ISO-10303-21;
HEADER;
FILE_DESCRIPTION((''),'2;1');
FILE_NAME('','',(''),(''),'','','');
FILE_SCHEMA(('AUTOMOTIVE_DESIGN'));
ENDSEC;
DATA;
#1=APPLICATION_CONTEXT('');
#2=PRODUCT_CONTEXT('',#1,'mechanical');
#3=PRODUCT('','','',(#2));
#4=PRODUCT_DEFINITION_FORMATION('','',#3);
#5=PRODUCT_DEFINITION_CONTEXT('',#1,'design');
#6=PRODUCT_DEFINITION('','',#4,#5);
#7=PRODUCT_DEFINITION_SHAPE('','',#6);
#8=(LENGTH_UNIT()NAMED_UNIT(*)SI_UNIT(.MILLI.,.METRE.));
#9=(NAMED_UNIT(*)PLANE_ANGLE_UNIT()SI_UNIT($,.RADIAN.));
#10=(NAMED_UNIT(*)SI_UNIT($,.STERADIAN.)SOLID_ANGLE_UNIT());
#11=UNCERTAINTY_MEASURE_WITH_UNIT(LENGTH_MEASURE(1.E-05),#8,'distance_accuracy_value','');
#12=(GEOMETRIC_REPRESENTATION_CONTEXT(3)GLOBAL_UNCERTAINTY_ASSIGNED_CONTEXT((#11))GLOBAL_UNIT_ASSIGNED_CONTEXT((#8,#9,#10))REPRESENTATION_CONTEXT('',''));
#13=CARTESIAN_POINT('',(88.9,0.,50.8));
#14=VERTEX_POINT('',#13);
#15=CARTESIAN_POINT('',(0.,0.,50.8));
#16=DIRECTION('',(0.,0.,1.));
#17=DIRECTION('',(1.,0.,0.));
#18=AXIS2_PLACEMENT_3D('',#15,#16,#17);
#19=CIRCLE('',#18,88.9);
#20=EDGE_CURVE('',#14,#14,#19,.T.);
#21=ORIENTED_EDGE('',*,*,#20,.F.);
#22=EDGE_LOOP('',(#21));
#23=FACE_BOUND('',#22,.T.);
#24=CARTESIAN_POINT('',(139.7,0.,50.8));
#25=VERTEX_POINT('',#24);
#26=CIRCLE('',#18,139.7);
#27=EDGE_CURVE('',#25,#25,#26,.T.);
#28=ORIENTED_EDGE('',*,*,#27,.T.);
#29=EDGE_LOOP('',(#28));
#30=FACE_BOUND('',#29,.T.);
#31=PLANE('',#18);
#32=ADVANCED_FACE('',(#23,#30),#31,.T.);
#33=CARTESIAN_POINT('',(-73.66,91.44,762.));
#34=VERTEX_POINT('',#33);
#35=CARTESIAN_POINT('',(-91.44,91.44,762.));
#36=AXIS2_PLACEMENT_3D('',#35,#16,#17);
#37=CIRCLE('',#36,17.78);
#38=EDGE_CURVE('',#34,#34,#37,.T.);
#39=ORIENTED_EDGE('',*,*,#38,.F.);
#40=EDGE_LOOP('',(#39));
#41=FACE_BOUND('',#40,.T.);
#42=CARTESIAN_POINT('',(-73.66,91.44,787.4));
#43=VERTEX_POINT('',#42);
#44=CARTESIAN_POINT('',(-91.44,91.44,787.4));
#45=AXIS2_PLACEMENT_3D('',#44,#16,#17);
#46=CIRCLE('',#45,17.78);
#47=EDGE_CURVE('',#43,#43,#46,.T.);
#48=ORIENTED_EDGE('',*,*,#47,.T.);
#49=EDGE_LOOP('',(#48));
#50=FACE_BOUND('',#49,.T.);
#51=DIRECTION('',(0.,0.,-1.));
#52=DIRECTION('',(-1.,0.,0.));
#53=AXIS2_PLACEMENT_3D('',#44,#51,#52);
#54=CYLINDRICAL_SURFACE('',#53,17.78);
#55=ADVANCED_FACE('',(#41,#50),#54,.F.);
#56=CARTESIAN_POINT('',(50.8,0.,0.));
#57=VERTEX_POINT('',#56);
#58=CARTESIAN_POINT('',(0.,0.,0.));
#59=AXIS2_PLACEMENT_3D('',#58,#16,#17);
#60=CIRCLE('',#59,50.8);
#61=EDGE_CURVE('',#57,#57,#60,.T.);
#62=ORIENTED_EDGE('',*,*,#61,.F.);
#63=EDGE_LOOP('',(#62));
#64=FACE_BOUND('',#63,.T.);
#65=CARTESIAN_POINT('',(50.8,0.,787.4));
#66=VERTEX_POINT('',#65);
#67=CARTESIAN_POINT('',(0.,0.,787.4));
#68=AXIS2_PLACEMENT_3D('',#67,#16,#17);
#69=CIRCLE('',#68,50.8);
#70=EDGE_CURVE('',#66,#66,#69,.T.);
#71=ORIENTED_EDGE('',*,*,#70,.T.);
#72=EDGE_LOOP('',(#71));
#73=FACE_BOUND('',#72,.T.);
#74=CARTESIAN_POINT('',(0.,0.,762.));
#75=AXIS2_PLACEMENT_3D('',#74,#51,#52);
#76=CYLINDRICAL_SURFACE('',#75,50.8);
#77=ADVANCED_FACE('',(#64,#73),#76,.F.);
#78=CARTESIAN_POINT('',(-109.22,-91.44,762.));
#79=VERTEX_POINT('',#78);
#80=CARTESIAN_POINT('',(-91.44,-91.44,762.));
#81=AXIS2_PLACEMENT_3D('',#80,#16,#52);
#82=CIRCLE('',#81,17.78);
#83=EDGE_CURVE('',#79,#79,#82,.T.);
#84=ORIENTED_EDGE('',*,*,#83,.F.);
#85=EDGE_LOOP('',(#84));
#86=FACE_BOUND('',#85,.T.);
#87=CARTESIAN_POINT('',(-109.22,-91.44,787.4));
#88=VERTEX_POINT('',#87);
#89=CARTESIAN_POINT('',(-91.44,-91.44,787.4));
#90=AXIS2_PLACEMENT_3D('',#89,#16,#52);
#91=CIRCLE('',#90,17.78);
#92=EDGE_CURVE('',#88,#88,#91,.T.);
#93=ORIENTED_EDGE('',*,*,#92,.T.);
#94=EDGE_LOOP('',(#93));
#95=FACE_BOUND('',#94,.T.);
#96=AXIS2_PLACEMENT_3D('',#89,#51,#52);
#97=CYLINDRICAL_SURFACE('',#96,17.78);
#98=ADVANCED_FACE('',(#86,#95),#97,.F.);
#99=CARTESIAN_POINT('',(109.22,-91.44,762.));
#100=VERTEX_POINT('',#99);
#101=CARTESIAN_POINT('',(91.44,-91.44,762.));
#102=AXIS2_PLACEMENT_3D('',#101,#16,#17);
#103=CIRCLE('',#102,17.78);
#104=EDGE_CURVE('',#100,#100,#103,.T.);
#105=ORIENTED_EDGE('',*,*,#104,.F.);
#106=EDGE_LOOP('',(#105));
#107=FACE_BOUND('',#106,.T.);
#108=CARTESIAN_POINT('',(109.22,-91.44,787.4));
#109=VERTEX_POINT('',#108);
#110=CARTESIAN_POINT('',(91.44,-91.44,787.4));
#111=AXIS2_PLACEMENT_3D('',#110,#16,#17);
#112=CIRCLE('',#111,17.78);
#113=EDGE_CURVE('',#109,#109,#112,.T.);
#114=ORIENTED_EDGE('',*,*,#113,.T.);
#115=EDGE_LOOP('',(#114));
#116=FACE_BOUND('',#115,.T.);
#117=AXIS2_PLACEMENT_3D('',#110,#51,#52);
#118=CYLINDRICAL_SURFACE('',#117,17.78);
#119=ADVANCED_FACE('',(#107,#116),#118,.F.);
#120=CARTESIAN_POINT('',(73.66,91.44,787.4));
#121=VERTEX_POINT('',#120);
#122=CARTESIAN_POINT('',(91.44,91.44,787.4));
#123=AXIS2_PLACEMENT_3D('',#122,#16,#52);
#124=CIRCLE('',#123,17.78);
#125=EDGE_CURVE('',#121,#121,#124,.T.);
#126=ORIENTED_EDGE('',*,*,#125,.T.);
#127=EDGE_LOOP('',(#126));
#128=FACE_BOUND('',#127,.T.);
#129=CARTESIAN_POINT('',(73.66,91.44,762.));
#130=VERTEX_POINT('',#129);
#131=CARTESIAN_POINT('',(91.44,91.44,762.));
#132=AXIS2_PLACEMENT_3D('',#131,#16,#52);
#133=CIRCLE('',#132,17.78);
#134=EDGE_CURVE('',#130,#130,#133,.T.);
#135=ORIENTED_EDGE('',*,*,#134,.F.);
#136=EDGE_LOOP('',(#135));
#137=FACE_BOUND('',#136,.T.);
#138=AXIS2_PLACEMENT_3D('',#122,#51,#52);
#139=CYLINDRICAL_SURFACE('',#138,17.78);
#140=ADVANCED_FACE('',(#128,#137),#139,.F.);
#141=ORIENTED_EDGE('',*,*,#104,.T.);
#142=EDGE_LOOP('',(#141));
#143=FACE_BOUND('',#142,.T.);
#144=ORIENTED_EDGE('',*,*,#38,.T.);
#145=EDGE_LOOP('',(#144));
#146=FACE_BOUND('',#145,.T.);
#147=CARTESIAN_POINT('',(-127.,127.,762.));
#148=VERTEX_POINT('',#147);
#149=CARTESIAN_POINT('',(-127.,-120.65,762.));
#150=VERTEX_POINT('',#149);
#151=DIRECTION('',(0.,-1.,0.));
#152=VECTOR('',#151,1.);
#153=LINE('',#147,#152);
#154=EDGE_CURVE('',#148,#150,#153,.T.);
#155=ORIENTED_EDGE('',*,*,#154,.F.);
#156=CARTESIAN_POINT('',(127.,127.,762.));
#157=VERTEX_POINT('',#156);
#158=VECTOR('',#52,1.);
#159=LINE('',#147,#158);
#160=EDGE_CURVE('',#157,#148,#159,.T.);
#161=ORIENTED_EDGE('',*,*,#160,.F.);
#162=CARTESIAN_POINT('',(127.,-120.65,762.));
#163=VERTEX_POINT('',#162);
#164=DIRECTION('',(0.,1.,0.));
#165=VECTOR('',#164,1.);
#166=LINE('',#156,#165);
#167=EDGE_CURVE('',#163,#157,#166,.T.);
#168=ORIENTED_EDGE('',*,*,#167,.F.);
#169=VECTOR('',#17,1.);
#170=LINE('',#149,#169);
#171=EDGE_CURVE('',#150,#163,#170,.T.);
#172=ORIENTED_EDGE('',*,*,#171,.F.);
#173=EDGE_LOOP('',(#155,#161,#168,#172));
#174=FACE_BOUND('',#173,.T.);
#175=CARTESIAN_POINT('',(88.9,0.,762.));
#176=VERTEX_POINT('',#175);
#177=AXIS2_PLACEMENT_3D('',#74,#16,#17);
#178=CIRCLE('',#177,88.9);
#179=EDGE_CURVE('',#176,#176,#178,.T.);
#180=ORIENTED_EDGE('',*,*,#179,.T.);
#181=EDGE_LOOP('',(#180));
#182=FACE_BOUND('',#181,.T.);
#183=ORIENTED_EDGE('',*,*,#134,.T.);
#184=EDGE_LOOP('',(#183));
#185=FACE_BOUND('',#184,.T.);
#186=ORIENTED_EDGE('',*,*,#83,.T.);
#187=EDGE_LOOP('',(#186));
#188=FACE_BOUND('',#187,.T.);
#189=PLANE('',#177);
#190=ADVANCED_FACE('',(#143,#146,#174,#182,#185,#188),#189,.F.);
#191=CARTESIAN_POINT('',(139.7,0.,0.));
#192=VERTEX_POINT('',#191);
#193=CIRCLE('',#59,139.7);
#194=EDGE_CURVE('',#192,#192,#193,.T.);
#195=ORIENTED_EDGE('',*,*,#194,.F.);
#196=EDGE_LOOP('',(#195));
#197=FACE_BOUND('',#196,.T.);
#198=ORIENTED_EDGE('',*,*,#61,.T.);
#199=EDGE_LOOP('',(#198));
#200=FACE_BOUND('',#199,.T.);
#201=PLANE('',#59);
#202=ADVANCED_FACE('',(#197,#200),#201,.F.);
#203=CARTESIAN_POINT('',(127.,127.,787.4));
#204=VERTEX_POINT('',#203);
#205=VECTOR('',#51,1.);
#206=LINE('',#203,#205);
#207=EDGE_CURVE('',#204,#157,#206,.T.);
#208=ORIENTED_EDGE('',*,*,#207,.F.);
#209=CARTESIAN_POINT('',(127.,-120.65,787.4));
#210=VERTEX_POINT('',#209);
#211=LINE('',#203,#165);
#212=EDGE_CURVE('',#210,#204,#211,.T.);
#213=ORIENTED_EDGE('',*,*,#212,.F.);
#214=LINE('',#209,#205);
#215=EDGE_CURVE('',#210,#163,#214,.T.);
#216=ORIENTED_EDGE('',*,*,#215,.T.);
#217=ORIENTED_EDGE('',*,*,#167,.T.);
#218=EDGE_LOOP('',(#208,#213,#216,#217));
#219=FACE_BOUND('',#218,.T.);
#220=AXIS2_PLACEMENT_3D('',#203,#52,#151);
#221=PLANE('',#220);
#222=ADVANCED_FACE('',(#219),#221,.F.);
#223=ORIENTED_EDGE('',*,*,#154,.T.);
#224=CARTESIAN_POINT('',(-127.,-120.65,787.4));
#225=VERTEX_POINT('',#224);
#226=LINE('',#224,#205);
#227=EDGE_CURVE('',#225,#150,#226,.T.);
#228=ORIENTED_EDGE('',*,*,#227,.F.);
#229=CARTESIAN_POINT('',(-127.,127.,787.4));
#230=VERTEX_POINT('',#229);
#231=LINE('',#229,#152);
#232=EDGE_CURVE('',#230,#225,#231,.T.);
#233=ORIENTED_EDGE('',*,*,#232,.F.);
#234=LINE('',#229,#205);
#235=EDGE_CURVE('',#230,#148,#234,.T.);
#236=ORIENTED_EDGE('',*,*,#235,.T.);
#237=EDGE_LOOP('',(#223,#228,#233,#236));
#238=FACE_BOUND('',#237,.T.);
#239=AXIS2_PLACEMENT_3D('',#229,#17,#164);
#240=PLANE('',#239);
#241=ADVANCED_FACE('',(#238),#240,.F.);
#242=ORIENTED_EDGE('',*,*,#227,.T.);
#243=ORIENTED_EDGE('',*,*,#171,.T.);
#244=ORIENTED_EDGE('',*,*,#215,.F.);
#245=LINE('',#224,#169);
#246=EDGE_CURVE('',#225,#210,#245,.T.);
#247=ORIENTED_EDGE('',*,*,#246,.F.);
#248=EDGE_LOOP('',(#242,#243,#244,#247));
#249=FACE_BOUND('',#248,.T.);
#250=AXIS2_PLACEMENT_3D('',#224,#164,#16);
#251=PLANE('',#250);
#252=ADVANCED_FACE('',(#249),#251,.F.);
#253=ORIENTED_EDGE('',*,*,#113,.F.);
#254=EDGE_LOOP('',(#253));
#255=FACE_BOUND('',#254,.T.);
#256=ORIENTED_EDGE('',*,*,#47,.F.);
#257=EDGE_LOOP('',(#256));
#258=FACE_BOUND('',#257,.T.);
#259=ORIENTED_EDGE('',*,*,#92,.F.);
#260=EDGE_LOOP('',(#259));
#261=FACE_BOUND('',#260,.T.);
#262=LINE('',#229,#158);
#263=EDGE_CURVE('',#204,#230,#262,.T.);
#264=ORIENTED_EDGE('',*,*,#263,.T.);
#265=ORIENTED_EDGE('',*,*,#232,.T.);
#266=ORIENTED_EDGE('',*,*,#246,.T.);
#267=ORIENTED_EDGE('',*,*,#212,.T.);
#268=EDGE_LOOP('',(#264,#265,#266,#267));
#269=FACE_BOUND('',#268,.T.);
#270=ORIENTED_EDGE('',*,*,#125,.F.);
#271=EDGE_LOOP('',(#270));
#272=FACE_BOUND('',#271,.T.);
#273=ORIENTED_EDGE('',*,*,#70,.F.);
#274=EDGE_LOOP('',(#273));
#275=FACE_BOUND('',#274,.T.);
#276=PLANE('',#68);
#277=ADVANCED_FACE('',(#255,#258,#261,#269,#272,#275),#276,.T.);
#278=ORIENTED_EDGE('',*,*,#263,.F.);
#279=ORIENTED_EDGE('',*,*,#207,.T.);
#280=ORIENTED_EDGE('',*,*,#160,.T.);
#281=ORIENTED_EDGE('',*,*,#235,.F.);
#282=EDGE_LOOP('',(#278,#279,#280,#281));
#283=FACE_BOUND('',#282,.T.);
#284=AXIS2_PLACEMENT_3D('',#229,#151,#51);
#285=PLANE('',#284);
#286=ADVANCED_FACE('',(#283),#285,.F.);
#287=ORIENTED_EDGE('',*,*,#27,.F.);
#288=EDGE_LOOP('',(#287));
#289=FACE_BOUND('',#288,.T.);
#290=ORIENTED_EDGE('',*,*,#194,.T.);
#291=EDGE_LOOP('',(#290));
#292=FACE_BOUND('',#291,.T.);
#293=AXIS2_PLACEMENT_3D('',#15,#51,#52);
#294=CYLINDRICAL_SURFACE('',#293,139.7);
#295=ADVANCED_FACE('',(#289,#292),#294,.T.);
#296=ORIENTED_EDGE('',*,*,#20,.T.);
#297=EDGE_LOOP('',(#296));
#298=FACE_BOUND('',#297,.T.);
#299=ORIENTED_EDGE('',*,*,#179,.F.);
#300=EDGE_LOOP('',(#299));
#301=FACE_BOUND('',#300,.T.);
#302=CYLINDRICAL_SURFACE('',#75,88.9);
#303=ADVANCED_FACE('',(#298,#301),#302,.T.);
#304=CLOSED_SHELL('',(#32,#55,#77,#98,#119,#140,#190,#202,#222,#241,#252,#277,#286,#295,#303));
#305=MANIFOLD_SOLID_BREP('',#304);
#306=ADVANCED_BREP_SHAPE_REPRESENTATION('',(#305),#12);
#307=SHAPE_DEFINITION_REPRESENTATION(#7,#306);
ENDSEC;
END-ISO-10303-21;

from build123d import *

# Parameters (mm, degrees)
SKETCH1_R           = 139.7
SKETCH1_R_2         = 88.9
BOSS_EXTRUDE3_DEPTH = 50.8
SKETCH1_4_R         = 88.9
SKETCH1_4_R_2       = 50.8
BOSS_EXTRUDE4_DEPTH = 762
SKETCH3_W           = 254
SKETCH3_H           = 247.65
SKETCH3_R           = 17.78
SKETCH3_R_2         = 50.8
BOSS_EXTRUDE5_DEPTH = 25.4


with BuildPart() as part:
    # Sketch1 → Boss-Extrude3 (new body)
    with BuildSketch(Plane.XY):
        Circle(SKETCH1_R)
        Circle(SKETCH1_R_2, mode=Mode.SUBTRACT)
    extrude(amount=BOSS_EXTRUDE3_DEPTH)

    # Sketch1<4> → Boss-Extrude4 (add)
    with BuildSketch(Plane.XY):
        Circle(SKETCH1_4_R)
        Circle(SKETCH1_4_R_2, mode=Mode.SUBTRACT)
    extrude(amount=BOSS_EXTRUDE4_DEPTH)

    # Sketch3 → Boss-Extrude5 (add)
    with BuildSketch(Plane.XY.offset(762)):
        with Locations((0, 3.175)):
            Rectangle(SKETCH3_W, SKETCH3_H)
        with Locations((-91.44, 91.44)):
            Circle(SKETCH3_R, mode=Mode.SUBTRACT)
        with Locations((91.44, 91.44)):
            Circle(SKETCH3_R, mode=Mode.SUBTRACT)
        with Locations((91.44, -91.44)):
            Circle(SKETCH3_R, mode=Mode.SUBTRACT)
        with Locations((-91.44, -91.44)):
            Circle(SKETCH3_R, mode=Mode.SUBTRACT)
        Circle(SKETCH3_R_2, mode=Mode.SUBTRACT)
    extrude(amount=BOSS_EXTRUDE5_DEPTH)


solid = part.part
